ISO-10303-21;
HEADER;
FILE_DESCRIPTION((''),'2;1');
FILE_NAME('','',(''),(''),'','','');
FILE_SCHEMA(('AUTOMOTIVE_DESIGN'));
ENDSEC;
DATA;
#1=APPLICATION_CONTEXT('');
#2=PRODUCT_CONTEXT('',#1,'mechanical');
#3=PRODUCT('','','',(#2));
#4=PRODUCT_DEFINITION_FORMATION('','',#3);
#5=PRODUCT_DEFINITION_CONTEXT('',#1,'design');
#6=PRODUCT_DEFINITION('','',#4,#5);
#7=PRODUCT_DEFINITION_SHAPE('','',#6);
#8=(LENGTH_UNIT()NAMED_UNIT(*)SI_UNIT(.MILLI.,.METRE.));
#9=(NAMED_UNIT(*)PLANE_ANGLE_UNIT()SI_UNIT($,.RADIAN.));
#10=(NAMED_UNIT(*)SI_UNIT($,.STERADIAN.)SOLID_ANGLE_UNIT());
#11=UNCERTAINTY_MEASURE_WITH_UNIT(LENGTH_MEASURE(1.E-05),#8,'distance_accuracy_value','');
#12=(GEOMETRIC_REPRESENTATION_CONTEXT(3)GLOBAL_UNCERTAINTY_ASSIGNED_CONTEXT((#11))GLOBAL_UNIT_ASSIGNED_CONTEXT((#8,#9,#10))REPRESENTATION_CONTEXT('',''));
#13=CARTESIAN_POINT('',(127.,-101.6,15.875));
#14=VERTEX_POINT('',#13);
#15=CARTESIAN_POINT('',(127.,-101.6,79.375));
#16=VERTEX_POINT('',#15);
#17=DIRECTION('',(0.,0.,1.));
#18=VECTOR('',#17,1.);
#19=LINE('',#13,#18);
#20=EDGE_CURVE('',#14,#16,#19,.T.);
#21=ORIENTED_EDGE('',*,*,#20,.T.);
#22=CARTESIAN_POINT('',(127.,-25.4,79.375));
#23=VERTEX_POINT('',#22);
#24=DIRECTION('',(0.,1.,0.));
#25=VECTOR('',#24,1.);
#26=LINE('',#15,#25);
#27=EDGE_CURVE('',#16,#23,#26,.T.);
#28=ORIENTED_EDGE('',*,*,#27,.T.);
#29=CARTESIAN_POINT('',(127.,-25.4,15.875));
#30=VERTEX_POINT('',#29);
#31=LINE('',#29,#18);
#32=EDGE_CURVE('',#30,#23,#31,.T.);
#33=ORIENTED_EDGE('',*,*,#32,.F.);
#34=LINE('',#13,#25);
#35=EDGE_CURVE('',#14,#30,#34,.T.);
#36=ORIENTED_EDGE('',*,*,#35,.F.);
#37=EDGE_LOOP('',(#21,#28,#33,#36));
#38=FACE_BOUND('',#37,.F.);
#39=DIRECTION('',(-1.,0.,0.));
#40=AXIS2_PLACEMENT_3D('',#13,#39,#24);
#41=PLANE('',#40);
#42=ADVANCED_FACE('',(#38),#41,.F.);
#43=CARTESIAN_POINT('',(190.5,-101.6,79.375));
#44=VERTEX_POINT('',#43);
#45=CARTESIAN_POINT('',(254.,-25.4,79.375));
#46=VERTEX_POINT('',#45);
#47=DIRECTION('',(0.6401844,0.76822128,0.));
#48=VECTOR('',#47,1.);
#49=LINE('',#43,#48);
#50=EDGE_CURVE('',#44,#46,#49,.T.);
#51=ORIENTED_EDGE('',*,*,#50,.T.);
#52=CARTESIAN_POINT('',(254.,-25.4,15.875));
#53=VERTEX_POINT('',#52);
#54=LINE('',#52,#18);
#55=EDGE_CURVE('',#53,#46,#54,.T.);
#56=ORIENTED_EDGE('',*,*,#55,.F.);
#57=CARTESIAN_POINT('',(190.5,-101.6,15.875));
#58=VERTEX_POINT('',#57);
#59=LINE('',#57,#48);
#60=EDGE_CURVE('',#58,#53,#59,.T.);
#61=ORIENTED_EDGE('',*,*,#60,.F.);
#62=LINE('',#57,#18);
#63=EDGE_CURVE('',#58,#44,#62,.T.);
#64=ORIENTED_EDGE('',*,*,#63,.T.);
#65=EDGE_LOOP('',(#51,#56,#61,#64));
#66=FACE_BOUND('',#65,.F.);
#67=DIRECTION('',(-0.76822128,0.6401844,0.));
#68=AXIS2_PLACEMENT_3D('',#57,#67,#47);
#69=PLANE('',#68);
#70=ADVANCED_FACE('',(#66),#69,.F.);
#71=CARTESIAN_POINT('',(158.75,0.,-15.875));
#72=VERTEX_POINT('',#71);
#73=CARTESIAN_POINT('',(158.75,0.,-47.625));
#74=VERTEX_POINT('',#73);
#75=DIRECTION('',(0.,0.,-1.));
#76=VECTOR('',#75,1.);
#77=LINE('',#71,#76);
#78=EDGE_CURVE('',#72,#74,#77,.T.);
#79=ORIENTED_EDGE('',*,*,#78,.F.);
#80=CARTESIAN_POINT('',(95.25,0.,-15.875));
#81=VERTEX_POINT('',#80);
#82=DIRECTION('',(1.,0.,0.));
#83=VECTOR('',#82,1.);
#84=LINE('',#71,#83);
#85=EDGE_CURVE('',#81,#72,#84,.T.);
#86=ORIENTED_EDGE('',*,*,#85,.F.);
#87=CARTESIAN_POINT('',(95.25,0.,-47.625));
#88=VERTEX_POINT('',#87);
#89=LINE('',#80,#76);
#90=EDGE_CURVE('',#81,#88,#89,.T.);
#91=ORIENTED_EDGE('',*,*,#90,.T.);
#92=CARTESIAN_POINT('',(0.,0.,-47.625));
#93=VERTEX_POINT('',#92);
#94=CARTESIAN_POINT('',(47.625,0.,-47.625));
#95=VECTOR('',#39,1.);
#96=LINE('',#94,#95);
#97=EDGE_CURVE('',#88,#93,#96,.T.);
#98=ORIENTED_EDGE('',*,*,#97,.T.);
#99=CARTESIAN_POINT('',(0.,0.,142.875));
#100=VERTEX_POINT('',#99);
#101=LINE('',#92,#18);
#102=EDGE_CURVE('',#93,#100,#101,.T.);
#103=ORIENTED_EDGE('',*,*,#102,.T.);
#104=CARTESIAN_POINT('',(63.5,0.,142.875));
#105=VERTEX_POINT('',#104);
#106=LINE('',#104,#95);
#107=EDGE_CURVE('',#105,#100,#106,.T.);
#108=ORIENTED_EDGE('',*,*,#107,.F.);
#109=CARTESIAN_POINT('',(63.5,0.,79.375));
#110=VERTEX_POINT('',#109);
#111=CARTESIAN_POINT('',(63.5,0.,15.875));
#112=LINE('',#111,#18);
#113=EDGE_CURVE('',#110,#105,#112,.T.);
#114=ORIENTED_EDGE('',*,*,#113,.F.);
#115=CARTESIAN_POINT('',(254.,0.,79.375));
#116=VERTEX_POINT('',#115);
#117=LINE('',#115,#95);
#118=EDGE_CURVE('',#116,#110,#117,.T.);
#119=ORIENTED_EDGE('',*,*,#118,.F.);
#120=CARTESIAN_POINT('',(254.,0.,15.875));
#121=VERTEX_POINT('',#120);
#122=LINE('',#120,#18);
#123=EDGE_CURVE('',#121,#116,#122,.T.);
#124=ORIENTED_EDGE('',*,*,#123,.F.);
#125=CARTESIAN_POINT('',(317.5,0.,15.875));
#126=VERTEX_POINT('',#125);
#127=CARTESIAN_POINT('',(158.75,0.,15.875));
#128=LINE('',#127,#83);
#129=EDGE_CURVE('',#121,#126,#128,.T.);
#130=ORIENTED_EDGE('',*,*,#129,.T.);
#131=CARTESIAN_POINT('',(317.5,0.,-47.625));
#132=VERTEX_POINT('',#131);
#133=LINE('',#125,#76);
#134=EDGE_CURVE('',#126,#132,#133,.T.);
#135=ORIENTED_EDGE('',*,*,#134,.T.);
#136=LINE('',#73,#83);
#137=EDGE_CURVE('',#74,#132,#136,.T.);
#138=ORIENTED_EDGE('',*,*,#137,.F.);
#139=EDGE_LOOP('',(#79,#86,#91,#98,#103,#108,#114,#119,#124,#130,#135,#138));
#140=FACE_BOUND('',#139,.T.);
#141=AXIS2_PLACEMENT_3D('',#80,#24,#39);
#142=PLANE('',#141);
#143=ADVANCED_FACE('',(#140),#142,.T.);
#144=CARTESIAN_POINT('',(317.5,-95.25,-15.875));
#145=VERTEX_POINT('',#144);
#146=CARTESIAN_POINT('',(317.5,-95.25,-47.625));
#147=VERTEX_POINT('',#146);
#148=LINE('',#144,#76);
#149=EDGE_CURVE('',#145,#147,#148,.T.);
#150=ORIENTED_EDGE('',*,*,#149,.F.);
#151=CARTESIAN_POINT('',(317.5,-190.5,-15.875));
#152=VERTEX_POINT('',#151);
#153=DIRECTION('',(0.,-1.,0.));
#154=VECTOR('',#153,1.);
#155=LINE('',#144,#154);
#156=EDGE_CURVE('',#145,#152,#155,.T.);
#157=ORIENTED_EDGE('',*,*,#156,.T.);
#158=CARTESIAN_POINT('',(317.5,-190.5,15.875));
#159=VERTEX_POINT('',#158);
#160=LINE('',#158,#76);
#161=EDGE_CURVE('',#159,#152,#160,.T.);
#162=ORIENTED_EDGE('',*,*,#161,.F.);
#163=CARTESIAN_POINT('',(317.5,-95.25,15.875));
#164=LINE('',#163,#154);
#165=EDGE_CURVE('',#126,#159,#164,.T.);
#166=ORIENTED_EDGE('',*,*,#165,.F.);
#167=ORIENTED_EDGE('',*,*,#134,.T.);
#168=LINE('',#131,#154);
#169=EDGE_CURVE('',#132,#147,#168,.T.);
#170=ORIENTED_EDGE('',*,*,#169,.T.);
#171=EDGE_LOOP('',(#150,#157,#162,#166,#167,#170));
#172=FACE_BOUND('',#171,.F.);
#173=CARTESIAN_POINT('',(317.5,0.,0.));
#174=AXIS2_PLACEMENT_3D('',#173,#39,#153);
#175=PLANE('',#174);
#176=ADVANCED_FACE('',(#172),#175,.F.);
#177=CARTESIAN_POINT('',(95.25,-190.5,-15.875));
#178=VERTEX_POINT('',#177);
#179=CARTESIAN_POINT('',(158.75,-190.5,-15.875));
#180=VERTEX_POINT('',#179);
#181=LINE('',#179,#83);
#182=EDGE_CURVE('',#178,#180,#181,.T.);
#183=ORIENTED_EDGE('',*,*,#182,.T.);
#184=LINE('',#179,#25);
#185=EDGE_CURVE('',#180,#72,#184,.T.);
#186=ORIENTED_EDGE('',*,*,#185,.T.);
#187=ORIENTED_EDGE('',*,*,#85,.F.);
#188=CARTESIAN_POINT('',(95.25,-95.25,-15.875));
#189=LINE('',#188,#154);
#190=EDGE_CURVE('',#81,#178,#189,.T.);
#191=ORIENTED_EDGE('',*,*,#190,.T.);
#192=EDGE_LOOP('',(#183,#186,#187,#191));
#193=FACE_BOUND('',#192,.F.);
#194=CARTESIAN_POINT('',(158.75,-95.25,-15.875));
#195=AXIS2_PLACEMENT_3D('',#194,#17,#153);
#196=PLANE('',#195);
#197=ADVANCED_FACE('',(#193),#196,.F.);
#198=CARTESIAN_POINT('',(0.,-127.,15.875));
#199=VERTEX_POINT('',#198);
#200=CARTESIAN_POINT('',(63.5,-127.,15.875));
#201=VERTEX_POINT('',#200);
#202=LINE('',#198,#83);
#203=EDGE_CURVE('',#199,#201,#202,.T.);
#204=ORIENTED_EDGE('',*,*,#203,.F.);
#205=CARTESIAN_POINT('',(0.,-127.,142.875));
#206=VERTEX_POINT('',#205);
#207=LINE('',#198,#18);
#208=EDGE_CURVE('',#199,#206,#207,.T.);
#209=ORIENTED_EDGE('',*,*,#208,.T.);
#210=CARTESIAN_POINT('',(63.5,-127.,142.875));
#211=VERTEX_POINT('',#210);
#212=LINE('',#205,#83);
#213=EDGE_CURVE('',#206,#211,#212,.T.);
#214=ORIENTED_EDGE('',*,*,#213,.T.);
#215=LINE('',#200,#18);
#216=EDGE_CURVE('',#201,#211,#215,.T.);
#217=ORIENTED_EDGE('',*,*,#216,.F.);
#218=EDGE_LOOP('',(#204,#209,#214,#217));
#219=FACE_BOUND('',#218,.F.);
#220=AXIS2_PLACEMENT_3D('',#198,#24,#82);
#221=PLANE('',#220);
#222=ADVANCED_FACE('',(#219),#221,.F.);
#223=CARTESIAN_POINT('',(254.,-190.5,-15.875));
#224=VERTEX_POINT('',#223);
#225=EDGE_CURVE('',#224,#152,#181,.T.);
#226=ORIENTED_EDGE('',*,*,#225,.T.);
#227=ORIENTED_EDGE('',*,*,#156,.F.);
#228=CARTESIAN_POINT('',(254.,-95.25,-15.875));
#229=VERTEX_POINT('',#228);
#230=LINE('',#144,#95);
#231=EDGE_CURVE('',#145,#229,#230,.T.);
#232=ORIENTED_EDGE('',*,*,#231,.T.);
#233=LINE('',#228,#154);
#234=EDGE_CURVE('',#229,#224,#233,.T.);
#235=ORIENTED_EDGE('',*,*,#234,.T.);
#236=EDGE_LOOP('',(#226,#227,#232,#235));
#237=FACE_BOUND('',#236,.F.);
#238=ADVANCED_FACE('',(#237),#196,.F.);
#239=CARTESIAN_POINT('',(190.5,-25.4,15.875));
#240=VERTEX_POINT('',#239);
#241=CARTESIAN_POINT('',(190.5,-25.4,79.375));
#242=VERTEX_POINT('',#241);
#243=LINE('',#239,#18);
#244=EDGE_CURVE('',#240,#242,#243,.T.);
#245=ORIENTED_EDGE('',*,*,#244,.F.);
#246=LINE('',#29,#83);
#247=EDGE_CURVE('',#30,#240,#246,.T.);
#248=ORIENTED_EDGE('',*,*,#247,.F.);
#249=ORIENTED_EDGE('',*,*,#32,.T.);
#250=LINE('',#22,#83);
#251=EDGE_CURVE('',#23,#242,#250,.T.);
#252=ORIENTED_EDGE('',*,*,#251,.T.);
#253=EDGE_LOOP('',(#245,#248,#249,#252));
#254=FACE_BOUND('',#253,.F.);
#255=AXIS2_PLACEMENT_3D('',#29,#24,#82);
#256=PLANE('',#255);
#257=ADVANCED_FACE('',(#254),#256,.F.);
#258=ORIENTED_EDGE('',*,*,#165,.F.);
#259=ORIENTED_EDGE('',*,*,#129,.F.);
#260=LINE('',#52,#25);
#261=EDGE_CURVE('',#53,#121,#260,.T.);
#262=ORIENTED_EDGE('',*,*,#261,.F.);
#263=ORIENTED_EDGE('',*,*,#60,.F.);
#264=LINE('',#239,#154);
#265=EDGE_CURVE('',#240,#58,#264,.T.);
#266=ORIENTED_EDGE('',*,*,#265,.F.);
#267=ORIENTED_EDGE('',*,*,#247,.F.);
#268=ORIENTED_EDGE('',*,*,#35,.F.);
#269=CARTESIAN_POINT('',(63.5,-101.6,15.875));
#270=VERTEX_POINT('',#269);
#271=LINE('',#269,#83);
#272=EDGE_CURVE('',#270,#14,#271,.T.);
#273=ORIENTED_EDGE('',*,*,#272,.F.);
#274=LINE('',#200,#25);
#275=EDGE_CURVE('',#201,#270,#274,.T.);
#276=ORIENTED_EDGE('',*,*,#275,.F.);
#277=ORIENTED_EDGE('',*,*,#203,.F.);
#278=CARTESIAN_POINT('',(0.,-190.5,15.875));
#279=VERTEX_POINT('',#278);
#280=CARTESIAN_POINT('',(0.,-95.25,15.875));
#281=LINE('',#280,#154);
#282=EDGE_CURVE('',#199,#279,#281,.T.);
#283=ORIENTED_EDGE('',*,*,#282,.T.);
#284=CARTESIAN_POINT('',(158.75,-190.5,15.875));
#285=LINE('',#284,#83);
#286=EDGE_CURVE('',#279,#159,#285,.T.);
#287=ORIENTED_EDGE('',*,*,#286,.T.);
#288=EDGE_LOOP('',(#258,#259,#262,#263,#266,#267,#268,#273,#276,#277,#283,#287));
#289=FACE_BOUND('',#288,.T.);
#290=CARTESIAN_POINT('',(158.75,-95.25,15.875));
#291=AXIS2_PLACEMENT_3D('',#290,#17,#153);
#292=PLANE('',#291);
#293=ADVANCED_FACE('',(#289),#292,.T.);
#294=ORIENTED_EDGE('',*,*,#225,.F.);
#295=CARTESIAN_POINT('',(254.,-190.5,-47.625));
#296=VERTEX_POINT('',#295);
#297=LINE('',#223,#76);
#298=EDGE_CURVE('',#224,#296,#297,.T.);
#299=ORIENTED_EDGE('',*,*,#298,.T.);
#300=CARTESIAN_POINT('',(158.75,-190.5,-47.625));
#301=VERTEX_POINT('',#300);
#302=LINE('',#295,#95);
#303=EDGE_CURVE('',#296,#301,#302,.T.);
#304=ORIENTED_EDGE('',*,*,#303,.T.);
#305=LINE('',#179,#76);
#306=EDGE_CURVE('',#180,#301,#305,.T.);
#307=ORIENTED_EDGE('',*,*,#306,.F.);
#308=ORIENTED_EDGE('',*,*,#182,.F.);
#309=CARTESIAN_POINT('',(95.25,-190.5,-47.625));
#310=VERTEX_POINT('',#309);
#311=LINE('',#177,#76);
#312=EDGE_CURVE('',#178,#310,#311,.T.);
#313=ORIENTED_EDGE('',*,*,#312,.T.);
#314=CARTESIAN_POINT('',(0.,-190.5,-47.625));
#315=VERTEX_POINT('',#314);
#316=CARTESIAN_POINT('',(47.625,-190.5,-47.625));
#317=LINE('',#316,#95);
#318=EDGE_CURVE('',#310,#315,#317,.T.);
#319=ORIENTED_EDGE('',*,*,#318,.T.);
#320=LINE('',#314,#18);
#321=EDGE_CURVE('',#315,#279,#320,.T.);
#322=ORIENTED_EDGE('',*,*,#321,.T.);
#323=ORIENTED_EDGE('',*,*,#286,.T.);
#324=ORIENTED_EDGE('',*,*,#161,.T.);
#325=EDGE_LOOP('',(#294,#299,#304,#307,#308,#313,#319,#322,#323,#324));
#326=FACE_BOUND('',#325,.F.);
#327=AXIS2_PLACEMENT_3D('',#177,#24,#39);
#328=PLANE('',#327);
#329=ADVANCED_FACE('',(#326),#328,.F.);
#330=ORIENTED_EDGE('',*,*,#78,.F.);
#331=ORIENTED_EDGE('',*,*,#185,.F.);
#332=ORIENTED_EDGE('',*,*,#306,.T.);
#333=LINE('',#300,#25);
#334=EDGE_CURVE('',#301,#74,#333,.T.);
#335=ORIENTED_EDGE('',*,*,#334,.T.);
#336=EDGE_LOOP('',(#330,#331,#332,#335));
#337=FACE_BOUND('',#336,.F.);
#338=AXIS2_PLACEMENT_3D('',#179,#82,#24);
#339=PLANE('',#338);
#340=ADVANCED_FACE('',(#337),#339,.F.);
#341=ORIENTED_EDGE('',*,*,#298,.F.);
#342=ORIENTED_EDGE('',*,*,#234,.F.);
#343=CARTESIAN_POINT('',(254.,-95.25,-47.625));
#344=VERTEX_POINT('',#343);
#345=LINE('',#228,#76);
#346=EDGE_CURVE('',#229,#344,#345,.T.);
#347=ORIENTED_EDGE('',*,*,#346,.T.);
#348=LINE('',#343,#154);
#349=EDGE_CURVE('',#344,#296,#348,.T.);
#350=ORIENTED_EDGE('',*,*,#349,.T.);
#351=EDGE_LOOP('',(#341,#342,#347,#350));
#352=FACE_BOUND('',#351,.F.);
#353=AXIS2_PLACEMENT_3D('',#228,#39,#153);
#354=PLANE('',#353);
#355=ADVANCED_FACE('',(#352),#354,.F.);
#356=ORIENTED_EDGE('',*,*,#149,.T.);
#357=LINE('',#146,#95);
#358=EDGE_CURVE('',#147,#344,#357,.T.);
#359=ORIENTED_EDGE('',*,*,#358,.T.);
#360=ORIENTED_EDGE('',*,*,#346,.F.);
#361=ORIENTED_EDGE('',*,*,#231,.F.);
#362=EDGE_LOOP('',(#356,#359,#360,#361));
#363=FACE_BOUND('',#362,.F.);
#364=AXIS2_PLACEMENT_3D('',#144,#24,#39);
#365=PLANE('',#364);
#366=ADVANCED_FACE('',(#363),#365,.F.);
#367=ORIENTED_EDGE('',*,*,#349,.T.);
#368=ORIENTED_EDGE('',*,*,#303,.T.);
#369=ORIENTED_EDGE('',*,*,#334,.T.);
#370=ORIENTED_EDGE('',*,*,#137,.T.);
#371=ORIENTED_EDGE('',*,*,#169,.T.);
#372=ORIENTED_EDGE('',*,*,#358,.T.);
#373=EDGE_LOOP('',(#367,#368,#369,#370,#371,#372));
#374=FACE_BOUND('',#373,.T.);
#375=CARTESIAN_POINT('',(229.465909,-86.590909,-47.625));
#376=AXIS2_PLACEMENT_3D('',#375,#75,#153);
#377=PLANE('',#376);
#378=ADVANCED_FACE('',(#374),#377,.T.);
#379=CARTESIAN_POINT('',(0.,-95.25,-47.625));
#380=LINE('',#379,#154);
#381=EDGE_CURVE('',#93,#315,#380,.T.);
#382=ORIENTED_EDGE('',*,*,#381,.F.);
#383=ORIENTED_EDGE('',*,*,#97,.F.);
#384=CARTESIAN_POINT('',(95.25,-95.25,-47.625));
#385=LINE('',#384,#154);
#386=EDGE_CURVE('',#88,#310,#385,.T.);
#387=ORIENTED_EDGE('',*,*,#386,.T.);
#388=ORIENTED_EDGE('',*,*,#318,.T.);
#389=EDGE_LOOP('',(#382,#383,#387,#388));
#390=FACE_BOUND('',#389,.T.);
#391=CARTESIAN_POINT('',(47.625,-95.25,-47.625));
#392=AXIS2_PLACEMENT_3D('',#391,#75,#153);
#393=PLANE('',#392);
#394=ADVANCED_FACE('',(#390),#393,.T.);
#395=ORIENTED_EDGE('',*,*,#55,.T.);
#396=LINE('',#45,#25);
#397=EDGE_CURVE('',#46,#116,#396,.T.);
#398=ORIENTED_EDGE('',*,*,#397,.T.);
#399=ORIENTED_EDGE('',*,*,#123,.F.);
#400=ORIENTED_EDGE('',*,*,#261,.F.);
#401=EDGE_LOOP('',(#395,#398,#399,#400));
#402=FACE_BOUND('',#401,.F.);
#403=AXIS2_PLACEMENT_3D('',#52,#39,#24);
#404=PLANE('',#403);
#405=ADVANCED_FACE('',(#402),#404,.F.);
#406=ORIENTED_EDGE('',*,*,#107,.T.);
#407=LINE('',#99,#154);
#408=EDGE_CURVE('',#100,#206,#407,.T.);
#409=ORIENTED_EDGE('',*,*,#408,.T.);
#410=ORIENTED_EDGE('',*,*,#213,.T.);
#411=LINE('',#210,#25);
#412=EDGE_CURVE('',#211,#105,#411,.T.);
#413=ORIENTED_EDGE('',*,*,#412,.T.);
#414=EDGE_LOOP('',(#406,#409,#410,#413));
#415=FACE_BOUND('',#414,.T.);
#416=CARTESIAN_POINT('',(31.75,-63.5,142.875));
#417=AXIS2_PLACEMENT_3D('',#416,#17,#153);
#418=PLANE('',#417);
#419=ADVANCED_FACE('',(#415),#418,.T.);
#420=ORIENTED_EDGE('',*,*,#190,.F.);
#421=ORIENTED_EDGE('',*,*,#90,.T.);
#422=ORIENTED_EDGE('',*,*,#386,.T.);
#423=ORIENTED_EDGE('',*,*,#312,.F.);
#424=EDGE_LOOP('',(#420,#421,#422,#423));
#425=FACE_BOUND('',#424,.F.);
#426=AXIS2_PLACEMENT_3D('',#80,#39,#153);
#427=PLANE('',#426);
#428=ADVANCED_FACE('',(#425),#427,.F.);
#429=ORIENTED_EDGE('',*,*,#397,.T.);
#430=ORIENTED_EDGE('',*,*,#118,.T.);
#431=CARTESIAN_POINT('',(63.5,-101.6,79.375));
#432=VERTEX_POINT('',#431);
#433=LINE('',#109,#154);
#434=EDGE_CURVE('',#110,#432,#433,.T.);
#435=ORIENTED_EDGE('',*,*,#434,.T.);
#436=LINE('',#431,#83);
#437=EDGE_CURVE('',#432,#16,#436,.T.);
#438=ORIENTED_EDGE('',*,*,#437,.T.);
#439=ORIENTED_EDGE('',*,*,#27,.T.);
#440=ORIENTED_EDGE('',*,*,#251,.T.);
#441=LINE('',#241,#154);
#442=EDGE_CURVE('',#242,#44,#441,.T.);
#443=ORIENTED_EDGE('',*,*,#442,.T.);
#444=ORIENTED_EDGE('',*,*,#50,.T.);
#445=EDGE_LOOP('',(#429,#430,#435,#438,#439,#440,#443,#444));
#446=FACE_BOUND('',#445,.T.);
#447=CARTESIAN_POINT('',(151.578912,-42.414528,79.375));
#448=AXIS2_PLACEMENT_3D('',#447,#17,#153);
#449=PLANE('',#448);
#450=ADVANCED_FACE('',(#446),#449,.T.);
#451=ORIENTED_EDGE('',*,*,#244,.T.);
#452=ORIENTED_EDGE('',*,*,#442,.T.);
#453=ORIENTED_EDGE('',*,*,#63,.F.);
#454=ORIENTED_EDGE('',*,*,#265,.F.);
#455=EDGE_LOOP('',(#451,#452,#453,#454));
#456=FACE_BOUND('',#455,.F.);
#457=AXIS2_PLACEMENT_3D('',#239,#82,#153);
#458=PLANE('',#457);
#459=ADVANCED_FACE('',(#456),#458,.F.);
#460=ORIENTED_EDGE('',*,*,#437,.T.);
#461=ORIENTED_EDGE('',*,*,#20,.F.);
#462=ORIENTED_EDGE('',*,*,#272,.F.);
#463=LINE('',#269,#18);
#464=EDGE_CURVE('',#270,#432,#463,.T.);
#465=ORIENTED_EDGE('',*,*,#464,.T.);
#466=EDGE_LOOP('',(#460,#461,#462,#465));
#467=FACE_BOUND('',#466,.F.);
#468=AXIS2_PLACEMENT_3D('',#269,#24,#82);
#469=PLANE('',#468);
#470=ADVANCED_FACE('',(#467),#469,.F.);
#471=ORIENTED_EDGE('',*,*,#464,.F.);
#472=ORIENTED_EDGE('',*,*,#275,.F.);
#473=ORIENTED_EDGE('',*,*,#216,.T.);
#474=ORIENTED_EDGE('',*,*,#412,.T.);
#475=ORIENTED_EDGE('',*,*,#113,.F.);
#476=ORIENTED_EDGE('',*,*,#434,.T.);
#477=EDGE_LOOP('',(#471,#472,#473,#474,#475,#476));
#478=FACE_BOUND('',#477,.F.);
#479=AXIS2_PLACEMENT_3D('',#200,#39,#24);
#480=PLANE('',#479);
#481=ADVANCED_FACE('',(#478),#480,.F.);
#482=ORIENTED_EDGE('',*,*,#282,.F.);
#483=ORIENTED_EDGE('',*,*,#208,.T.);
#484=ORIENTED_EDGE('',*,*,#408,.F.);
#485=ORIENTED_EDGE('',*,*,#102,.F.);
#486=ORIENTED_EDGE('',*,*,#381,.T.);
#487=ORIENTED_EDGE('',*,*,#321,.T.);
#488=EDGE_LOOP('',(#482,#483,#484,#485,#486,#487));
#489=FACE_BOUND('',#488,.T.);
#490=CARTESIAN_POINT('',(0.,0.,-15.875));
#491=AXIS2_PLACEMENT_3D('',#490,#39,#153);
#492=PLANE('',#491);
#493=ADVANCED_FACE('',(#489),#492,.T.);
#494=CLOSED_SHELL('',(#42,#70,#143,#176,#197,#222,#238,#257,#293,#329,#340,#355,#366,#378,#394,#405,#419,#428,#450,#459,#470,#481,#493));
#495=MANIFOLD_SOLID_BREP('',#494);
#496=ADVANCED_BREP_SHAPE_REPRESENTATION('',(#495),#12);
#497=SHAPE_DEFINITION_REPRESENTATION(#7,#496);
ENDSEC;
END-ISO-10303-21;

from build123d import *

# Parameters (mm, degrees)
F0_W     = 190.5
F0_H     = 317.5
F1_DEPTH = 15.875
F3_DEPTH = 127
F4_DEPTH = 63.5
F5_W     = 190.5
F5_H     = 95.25
F6_DEPTH = 31.75
F7_ANGLE = 90


with BuildPart() as f1:
    # F0 (on Top) → F1 (new body, symmetric)
    with BuildSketch(Plane.XY):
        with Locations((95.25, 158.75)):
            Rectangle(F0_W, F0_H)
    extrude(amount=F1_DEPTH, both=True)

    # F2 (on face) → F3 (join)
    with BuildSketch(Plane.XY.offset(15.875)):
        Polygon((101.6, 63.5), (0, 63.5), (0, 0), (127, 0), (127, 63.5), align=None)
    extrude(amount=F3_DEPTH)

    # F2 (on face) → F4 (join)
    with BuildSketch(Plane.XY.offset(15.875)):
        Polygon((0, 254), (0, 63.5), (101.6, 63.5), (101.6, 127), (25.4, 127), (25.4, 190.5), (101.6, 190.5), (25.4, 254), align=None)
    extrude(amount=F4_DEPTH)

    # F5 (on face) → F6 (join)
    with BuildSketch(Plane(origin=(0, 0, -15.875), x_dir=(1, 0, 0), z_dir=(0, 0, -1))):
        with Locations((95.25, -47.625)):
            Rectangle(F5_W, F5_H)
        Polygon((190.5, -254), (190.5, -158.75), (0, -158.75), (0, -317.5), (95.25, -317.5), (95.25, -254), align=None)
    extrude(amount=F6_DEPTH)


with BuildPart() as f1_1:
    # F7: moved
    add(f1.part.rotate(Axis((0, 0, 0), (0, 0, -1)), F7_ANGLE))


solid = f1_1.part
